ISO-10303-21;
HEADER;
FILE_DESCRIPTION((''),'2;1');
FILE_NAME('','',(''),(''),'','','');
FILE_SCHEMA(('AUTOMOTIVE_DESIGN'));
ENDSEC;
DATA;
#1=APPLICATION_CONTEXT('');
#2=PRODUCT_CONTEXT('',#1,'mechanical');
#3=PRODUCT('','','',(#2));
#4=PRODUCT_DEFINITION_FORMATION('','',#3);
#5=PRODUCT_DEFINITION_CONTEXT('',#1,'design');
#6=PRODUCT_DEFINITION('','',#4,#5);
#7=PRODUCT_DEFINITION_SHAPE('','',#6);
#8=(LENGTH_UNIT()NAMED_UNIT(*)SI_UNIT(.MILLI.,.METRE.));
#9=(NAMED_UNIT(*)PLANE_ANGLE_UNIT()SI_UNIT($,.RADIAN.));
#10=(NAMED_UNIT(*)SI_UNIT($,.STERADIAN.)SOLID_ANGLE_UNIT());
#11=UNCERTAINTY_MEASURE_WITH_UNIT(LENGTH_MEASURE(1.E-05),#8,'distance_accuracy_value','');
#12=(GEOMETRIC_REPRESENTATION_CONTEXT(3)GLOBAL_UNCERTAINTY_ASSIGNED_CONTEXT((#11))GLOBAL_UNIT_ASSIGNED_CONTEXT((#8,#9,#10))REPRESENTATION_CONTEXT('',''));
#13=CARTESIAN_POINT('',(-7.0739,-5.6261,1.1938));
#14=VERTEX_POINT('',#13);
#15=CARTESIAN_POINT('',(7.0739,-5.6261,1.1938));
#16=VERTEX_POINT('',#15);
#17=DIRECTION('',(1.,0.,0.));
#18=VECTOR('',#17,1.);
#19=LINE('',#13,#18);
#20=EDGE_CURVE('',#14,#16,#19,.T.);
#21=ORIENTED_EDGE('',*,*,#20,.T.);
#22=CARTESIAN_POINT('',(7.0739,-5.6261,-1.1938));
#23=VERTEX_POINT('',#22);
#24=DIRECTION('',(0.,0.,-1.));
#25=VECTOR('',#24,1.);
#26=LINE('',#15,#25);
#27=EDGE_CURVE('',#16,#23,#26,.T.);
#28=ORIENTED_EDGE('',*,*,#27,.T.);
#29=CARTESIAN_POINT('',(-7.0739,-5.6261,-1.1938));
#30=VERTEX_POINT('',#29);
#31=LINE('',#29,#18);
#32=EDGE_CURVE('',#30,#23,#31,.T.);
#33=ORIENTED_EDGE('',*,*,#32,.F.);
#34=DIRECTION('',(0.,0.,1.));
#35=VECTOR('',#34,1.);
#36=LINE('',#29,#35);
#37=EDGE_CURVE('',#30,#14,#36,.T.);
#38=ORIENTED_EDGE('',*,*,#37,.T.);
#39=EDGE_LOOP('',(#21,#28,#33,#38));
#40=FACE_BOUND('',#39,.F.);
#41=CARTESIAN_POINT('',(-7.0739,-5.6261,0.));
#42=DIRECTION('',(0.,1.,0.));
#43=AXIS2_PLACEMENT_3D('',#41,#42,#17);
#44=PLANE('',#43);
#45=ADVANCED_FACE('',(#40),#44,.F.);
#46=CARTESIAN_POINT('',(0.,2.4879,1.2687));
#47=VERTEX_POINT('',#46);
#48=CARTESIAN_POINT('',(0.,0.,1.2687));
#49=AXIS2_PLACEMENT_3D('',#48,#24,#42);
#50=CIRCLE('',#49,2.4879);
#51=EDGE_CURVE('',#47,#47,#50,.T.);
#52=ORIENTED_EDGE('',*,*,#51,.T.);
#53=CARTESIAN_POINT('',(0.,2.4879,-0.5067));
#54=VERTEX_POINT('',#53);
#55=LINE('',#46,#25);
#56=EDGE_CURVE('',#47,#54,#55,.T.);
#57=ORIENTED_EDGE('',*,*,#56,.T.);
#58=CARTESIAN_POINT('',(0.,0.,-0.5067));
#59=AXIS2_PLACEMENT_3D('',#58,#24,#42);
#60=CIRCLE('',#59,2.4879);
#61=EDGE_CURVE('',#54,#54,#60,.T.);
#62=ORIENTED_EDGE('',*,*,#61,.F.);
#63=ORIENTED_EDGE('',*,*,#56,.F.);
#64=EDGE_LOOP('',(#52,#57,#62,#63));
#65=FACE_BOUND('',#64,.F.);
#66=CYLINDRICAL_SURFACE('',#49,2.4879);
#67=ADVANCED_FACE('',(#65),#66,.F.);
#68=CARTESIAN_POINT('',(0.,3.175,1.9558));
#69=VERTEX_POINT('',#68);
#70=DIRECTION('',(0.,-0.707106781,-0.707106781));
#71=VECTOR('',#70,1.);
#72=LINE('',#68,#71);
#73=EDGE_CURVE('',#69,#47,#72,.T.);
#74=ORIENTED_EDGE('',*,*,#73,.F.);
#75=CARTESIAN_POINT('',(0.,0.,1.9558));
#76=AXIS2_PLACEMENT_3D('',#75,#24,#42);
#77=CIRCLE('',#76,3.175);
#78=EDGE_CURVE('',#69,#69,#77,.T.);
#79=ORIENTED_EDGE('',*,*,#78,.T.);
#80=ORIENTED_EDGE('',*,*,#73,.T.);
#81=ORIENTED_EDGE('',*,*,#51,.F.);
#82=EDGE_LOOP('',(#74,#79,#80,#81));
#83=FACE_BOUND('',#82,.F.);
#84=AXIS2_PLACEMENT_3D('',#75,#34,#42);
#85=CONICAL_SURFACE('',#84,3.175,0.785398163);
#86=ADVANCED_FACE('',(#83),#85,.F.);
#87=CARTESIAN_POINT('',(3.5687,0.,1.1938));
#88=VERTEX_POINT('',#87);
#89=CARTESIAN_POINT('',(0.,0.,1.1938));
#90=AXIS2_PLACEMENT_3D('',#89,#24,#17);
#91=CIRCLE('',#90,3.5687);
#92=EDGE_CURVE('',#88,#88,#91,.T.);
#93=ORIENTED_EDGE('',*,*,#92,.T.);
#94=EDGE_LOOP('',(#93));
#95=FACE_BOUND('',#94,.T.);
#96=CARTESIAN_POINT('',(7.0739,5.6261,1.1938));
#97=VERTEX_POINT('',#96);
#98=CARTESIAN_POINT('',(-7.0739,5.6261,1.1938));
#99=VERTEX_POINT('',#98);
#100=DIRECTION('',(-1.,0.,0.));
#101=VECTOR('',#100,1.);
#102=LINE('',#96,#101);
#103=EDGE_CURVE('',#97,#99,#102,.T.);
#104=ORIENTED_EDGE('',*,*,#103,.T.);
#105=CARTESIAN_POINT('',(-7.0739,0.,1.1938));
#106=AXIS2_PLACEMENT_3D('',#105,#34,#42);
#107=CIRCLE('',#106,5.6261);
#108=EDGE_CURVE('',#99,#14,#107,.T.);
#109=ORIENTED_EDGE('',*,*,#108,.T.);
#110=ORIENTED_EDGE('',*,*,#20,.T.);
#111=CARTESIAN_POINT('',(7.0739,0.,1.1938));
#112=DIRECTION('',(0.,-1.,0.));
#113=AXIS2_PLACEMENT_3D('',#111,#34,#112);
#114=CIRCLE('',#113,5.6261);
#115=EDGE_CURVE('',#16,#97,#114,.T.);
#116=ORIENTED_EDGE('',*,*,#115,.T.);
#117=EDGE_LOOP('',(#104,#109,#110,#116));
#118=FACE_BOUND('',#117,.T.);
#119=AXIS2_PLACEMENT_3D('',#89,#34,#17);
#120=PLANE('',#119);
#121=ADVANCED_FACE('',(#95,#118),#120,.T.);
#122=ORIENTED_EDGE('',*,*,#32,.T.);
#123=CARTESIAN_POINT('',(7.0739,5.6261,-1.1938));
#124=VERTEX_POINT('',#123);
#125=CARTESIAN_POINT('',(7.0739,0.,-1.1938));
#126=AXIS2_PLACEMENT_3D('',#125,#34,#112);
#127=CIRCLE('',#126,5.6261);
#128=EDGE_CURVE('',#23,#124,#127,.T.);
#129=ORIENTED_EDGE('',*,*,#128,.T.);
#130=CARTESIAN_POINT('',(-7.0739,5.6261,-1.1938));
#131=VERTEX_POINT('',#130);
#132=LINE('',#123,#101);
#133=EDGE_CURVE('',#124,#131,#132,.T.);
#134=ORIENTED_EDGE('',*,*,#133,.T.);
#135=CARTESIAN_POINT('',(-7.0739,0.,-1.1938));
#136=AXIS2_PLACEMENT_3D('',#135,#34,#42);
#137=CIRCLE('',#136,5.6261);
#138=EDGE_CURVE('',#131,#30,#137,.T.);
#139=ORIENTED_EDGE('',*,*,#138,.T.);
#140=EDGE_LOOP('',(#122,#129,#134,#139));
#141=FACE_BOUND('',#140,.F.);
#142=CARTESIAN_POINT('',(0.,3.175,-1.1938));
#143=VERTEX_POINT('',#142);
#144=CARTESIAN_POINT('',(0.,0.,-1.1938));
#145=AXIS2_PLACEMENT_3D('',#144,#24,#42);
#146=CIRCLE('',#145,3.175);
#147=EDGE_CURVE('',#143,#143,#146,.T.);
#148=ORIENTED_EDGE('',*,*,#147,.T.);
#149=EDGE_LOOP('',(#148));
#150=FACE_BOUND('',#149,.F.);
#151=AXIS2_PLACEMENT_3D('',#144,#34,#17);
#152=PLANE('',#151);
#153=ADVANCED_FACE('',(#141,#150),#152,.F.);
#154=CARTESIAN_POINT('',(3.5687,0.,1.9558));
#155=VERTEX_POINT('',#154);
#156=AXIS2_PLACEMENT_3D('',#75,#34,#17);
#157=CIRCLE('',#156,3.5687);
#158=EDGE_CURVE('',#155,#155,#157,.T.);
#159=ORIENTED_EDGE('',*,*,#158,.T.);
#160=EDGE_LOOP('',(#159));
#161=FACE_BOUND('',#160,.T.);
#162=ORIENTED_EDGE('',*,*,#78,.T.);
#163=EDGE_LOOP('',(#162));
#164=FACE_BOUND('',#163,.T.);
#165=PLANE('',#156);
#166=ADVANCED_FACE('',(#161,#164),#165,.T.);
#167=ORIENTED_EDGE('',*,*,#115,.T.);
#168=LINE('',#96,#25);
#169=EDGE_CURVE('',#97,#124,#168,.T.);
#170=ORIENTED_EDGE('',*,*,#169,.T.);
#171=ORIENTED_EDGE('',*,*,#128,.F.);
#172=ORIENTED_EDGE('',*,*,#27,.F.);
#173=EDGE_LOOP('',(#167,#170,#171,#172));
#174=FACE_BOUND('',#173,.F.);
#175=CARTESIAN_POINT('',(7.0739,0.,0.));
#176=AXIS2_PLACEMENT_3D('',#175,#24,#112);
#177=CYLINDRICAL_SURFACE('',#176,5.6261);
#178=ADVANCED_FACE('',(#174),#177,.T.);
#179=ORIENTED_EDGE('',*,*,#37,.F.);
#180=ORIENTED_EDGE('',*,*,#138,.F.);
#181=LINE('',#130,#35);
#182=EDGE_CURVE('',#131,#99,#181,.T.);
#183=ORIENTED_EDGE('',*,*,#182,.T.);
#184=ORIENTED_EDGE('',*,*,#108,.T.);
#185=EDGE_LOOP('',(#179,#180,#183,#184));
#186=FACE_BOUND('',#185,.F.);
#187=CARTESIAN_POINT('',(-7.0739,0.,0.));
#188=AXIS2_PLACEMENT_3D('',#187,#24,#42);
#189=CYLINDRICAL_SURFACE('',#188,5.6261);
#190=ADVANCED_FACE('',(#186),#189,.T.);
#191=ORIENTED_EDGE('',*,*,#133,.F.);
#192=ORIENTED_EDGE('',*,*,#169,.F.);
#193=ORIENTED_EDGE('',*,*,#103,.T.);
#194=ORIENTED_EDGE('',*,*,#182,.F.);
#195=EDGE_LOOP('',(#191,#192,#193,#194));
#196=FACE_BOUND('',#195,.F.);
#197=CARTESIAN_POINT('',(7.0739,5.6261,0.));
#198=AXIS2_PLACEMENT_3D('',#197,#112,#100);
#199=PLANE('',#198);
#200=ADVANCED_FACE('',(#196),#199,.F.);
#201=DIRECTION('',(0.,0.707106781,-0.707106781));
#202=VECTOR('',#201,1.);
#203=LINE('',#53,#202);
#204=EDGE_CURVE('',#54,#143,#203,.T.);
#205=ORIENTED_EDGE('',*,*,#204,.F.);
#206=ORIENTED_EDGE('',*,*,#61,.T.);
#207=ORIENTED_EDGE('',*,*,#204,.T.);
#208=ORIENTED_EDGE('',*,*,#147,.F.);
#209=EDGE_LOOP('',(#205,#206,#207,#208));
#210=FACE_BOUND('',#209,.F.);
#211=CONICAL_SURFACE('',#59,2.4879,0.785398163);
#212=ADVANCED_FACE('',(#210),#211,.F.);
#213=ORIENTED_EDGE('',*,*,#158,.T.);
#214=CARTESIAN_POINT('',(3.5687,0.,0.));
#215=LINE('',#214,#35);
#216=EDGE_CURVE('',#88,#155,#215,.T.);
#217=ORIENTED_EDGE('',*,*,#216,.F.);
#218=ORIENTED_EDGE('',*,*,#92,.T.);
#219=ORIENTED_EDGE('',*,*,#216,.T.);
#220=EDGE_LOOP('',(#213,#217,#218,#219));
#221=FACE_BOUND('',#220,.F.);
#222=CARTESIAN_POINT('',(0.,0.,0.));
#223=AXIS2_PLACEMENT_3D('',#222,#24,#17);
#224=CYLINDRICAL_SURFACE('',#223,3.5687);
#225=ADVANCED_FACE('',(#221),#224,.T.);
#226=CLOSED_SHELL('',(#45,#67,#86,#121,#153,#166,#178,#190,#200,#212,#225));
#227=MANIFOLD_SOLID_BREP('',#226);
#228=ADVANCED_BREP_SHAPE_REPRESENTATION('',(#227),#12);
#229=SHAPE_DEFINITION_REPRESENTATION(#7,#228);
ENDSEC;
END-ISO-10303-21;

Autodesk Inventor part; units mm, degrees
sketch "Sketch_1" plane through (0, 0, 0) normal (0, 0, 1) x (1, 0, 0)
  arc A0 (-7.0739, 5.6261) -> (-7.0739, -5.6261) centre (-7.0739, 0) ccw
  line L0 (-7.0739, -5.6261) -> (7.0739, -5.6261)
  arc A1 (7.0739, -5.6261) -> (7.0739, 5.6261) centre (7.0739, 0) ccw
  line L1 (7.0739, 5.6261) -> (-7.0739, 5.6261)
extrude "Extrusion1" add sketch "Sketch_1" along normal mid plane 2.3876
sketch "Sketch_3" plane through (0, 0, 0) normal (0, 0, 1) x (1, 0, 0)
  circle A0 centre (0, 0) radius 3.5687
extrude "Extrusion2" add sketch "Sketch_3" along normal blind 1.9558
sketch "Sketch_4" plane through (0, 0, 0) normal (1, 0, 0) x (0, 1, 0)
  line L0 (0, -1.1938) -> (0, 1.9558)
  line L1 (0, 1.9558) -> (3.175, 1.9558)
  line L2 (3.175, 1.9558) -> (2.4879, 1.2687)
  line L3 (2.4879, 1.2687) -> (2.4879, -0.5067)
  line L4 (2.4879, -0.5067) -> (3.175, -1.1938)
  line L5 (3.175, -1.1938) -> (0, -1.1938)
  line L6 (0, -1.1938) -> (0, 1.9558)
revolve "Revolution1" cut sketch "Sketch_4" angle 360 about axis through (0, 0, -1.1938) along (0, 0, -1)
thread "Thread1" size "1/4-20 UNC" class "2B" standard "ANSI Unified Screw Threads" full length
ref_plane "tnut_XY" through (0, 0, -1.1938) normal (0, 0, 1) x (1, 0, 0)
ref_plane "tnut_YZ" through (0, 0, -1.1938) normal (1, 0, 0) x (0, 1, 0)
ref_plane "tnut_ZX" through (0, 0, -1.1938) normal (0, 1, 0) x (0, 0, 1)
ref_plane "tnut1_XY" through (0, 0, 1.1938) normal (0, 0, 1) x (1, 0, 0)
ref_plane "tnut1_YZ" through (0, 0, 1.1938) normal (1, 0, 0) x (0, 1, 0)
ref_plane "tnut1_ZX" through (0, 0, 1.1938) normal (0, 1, 0) x (0, 0, 1)
properties part number "3382"
